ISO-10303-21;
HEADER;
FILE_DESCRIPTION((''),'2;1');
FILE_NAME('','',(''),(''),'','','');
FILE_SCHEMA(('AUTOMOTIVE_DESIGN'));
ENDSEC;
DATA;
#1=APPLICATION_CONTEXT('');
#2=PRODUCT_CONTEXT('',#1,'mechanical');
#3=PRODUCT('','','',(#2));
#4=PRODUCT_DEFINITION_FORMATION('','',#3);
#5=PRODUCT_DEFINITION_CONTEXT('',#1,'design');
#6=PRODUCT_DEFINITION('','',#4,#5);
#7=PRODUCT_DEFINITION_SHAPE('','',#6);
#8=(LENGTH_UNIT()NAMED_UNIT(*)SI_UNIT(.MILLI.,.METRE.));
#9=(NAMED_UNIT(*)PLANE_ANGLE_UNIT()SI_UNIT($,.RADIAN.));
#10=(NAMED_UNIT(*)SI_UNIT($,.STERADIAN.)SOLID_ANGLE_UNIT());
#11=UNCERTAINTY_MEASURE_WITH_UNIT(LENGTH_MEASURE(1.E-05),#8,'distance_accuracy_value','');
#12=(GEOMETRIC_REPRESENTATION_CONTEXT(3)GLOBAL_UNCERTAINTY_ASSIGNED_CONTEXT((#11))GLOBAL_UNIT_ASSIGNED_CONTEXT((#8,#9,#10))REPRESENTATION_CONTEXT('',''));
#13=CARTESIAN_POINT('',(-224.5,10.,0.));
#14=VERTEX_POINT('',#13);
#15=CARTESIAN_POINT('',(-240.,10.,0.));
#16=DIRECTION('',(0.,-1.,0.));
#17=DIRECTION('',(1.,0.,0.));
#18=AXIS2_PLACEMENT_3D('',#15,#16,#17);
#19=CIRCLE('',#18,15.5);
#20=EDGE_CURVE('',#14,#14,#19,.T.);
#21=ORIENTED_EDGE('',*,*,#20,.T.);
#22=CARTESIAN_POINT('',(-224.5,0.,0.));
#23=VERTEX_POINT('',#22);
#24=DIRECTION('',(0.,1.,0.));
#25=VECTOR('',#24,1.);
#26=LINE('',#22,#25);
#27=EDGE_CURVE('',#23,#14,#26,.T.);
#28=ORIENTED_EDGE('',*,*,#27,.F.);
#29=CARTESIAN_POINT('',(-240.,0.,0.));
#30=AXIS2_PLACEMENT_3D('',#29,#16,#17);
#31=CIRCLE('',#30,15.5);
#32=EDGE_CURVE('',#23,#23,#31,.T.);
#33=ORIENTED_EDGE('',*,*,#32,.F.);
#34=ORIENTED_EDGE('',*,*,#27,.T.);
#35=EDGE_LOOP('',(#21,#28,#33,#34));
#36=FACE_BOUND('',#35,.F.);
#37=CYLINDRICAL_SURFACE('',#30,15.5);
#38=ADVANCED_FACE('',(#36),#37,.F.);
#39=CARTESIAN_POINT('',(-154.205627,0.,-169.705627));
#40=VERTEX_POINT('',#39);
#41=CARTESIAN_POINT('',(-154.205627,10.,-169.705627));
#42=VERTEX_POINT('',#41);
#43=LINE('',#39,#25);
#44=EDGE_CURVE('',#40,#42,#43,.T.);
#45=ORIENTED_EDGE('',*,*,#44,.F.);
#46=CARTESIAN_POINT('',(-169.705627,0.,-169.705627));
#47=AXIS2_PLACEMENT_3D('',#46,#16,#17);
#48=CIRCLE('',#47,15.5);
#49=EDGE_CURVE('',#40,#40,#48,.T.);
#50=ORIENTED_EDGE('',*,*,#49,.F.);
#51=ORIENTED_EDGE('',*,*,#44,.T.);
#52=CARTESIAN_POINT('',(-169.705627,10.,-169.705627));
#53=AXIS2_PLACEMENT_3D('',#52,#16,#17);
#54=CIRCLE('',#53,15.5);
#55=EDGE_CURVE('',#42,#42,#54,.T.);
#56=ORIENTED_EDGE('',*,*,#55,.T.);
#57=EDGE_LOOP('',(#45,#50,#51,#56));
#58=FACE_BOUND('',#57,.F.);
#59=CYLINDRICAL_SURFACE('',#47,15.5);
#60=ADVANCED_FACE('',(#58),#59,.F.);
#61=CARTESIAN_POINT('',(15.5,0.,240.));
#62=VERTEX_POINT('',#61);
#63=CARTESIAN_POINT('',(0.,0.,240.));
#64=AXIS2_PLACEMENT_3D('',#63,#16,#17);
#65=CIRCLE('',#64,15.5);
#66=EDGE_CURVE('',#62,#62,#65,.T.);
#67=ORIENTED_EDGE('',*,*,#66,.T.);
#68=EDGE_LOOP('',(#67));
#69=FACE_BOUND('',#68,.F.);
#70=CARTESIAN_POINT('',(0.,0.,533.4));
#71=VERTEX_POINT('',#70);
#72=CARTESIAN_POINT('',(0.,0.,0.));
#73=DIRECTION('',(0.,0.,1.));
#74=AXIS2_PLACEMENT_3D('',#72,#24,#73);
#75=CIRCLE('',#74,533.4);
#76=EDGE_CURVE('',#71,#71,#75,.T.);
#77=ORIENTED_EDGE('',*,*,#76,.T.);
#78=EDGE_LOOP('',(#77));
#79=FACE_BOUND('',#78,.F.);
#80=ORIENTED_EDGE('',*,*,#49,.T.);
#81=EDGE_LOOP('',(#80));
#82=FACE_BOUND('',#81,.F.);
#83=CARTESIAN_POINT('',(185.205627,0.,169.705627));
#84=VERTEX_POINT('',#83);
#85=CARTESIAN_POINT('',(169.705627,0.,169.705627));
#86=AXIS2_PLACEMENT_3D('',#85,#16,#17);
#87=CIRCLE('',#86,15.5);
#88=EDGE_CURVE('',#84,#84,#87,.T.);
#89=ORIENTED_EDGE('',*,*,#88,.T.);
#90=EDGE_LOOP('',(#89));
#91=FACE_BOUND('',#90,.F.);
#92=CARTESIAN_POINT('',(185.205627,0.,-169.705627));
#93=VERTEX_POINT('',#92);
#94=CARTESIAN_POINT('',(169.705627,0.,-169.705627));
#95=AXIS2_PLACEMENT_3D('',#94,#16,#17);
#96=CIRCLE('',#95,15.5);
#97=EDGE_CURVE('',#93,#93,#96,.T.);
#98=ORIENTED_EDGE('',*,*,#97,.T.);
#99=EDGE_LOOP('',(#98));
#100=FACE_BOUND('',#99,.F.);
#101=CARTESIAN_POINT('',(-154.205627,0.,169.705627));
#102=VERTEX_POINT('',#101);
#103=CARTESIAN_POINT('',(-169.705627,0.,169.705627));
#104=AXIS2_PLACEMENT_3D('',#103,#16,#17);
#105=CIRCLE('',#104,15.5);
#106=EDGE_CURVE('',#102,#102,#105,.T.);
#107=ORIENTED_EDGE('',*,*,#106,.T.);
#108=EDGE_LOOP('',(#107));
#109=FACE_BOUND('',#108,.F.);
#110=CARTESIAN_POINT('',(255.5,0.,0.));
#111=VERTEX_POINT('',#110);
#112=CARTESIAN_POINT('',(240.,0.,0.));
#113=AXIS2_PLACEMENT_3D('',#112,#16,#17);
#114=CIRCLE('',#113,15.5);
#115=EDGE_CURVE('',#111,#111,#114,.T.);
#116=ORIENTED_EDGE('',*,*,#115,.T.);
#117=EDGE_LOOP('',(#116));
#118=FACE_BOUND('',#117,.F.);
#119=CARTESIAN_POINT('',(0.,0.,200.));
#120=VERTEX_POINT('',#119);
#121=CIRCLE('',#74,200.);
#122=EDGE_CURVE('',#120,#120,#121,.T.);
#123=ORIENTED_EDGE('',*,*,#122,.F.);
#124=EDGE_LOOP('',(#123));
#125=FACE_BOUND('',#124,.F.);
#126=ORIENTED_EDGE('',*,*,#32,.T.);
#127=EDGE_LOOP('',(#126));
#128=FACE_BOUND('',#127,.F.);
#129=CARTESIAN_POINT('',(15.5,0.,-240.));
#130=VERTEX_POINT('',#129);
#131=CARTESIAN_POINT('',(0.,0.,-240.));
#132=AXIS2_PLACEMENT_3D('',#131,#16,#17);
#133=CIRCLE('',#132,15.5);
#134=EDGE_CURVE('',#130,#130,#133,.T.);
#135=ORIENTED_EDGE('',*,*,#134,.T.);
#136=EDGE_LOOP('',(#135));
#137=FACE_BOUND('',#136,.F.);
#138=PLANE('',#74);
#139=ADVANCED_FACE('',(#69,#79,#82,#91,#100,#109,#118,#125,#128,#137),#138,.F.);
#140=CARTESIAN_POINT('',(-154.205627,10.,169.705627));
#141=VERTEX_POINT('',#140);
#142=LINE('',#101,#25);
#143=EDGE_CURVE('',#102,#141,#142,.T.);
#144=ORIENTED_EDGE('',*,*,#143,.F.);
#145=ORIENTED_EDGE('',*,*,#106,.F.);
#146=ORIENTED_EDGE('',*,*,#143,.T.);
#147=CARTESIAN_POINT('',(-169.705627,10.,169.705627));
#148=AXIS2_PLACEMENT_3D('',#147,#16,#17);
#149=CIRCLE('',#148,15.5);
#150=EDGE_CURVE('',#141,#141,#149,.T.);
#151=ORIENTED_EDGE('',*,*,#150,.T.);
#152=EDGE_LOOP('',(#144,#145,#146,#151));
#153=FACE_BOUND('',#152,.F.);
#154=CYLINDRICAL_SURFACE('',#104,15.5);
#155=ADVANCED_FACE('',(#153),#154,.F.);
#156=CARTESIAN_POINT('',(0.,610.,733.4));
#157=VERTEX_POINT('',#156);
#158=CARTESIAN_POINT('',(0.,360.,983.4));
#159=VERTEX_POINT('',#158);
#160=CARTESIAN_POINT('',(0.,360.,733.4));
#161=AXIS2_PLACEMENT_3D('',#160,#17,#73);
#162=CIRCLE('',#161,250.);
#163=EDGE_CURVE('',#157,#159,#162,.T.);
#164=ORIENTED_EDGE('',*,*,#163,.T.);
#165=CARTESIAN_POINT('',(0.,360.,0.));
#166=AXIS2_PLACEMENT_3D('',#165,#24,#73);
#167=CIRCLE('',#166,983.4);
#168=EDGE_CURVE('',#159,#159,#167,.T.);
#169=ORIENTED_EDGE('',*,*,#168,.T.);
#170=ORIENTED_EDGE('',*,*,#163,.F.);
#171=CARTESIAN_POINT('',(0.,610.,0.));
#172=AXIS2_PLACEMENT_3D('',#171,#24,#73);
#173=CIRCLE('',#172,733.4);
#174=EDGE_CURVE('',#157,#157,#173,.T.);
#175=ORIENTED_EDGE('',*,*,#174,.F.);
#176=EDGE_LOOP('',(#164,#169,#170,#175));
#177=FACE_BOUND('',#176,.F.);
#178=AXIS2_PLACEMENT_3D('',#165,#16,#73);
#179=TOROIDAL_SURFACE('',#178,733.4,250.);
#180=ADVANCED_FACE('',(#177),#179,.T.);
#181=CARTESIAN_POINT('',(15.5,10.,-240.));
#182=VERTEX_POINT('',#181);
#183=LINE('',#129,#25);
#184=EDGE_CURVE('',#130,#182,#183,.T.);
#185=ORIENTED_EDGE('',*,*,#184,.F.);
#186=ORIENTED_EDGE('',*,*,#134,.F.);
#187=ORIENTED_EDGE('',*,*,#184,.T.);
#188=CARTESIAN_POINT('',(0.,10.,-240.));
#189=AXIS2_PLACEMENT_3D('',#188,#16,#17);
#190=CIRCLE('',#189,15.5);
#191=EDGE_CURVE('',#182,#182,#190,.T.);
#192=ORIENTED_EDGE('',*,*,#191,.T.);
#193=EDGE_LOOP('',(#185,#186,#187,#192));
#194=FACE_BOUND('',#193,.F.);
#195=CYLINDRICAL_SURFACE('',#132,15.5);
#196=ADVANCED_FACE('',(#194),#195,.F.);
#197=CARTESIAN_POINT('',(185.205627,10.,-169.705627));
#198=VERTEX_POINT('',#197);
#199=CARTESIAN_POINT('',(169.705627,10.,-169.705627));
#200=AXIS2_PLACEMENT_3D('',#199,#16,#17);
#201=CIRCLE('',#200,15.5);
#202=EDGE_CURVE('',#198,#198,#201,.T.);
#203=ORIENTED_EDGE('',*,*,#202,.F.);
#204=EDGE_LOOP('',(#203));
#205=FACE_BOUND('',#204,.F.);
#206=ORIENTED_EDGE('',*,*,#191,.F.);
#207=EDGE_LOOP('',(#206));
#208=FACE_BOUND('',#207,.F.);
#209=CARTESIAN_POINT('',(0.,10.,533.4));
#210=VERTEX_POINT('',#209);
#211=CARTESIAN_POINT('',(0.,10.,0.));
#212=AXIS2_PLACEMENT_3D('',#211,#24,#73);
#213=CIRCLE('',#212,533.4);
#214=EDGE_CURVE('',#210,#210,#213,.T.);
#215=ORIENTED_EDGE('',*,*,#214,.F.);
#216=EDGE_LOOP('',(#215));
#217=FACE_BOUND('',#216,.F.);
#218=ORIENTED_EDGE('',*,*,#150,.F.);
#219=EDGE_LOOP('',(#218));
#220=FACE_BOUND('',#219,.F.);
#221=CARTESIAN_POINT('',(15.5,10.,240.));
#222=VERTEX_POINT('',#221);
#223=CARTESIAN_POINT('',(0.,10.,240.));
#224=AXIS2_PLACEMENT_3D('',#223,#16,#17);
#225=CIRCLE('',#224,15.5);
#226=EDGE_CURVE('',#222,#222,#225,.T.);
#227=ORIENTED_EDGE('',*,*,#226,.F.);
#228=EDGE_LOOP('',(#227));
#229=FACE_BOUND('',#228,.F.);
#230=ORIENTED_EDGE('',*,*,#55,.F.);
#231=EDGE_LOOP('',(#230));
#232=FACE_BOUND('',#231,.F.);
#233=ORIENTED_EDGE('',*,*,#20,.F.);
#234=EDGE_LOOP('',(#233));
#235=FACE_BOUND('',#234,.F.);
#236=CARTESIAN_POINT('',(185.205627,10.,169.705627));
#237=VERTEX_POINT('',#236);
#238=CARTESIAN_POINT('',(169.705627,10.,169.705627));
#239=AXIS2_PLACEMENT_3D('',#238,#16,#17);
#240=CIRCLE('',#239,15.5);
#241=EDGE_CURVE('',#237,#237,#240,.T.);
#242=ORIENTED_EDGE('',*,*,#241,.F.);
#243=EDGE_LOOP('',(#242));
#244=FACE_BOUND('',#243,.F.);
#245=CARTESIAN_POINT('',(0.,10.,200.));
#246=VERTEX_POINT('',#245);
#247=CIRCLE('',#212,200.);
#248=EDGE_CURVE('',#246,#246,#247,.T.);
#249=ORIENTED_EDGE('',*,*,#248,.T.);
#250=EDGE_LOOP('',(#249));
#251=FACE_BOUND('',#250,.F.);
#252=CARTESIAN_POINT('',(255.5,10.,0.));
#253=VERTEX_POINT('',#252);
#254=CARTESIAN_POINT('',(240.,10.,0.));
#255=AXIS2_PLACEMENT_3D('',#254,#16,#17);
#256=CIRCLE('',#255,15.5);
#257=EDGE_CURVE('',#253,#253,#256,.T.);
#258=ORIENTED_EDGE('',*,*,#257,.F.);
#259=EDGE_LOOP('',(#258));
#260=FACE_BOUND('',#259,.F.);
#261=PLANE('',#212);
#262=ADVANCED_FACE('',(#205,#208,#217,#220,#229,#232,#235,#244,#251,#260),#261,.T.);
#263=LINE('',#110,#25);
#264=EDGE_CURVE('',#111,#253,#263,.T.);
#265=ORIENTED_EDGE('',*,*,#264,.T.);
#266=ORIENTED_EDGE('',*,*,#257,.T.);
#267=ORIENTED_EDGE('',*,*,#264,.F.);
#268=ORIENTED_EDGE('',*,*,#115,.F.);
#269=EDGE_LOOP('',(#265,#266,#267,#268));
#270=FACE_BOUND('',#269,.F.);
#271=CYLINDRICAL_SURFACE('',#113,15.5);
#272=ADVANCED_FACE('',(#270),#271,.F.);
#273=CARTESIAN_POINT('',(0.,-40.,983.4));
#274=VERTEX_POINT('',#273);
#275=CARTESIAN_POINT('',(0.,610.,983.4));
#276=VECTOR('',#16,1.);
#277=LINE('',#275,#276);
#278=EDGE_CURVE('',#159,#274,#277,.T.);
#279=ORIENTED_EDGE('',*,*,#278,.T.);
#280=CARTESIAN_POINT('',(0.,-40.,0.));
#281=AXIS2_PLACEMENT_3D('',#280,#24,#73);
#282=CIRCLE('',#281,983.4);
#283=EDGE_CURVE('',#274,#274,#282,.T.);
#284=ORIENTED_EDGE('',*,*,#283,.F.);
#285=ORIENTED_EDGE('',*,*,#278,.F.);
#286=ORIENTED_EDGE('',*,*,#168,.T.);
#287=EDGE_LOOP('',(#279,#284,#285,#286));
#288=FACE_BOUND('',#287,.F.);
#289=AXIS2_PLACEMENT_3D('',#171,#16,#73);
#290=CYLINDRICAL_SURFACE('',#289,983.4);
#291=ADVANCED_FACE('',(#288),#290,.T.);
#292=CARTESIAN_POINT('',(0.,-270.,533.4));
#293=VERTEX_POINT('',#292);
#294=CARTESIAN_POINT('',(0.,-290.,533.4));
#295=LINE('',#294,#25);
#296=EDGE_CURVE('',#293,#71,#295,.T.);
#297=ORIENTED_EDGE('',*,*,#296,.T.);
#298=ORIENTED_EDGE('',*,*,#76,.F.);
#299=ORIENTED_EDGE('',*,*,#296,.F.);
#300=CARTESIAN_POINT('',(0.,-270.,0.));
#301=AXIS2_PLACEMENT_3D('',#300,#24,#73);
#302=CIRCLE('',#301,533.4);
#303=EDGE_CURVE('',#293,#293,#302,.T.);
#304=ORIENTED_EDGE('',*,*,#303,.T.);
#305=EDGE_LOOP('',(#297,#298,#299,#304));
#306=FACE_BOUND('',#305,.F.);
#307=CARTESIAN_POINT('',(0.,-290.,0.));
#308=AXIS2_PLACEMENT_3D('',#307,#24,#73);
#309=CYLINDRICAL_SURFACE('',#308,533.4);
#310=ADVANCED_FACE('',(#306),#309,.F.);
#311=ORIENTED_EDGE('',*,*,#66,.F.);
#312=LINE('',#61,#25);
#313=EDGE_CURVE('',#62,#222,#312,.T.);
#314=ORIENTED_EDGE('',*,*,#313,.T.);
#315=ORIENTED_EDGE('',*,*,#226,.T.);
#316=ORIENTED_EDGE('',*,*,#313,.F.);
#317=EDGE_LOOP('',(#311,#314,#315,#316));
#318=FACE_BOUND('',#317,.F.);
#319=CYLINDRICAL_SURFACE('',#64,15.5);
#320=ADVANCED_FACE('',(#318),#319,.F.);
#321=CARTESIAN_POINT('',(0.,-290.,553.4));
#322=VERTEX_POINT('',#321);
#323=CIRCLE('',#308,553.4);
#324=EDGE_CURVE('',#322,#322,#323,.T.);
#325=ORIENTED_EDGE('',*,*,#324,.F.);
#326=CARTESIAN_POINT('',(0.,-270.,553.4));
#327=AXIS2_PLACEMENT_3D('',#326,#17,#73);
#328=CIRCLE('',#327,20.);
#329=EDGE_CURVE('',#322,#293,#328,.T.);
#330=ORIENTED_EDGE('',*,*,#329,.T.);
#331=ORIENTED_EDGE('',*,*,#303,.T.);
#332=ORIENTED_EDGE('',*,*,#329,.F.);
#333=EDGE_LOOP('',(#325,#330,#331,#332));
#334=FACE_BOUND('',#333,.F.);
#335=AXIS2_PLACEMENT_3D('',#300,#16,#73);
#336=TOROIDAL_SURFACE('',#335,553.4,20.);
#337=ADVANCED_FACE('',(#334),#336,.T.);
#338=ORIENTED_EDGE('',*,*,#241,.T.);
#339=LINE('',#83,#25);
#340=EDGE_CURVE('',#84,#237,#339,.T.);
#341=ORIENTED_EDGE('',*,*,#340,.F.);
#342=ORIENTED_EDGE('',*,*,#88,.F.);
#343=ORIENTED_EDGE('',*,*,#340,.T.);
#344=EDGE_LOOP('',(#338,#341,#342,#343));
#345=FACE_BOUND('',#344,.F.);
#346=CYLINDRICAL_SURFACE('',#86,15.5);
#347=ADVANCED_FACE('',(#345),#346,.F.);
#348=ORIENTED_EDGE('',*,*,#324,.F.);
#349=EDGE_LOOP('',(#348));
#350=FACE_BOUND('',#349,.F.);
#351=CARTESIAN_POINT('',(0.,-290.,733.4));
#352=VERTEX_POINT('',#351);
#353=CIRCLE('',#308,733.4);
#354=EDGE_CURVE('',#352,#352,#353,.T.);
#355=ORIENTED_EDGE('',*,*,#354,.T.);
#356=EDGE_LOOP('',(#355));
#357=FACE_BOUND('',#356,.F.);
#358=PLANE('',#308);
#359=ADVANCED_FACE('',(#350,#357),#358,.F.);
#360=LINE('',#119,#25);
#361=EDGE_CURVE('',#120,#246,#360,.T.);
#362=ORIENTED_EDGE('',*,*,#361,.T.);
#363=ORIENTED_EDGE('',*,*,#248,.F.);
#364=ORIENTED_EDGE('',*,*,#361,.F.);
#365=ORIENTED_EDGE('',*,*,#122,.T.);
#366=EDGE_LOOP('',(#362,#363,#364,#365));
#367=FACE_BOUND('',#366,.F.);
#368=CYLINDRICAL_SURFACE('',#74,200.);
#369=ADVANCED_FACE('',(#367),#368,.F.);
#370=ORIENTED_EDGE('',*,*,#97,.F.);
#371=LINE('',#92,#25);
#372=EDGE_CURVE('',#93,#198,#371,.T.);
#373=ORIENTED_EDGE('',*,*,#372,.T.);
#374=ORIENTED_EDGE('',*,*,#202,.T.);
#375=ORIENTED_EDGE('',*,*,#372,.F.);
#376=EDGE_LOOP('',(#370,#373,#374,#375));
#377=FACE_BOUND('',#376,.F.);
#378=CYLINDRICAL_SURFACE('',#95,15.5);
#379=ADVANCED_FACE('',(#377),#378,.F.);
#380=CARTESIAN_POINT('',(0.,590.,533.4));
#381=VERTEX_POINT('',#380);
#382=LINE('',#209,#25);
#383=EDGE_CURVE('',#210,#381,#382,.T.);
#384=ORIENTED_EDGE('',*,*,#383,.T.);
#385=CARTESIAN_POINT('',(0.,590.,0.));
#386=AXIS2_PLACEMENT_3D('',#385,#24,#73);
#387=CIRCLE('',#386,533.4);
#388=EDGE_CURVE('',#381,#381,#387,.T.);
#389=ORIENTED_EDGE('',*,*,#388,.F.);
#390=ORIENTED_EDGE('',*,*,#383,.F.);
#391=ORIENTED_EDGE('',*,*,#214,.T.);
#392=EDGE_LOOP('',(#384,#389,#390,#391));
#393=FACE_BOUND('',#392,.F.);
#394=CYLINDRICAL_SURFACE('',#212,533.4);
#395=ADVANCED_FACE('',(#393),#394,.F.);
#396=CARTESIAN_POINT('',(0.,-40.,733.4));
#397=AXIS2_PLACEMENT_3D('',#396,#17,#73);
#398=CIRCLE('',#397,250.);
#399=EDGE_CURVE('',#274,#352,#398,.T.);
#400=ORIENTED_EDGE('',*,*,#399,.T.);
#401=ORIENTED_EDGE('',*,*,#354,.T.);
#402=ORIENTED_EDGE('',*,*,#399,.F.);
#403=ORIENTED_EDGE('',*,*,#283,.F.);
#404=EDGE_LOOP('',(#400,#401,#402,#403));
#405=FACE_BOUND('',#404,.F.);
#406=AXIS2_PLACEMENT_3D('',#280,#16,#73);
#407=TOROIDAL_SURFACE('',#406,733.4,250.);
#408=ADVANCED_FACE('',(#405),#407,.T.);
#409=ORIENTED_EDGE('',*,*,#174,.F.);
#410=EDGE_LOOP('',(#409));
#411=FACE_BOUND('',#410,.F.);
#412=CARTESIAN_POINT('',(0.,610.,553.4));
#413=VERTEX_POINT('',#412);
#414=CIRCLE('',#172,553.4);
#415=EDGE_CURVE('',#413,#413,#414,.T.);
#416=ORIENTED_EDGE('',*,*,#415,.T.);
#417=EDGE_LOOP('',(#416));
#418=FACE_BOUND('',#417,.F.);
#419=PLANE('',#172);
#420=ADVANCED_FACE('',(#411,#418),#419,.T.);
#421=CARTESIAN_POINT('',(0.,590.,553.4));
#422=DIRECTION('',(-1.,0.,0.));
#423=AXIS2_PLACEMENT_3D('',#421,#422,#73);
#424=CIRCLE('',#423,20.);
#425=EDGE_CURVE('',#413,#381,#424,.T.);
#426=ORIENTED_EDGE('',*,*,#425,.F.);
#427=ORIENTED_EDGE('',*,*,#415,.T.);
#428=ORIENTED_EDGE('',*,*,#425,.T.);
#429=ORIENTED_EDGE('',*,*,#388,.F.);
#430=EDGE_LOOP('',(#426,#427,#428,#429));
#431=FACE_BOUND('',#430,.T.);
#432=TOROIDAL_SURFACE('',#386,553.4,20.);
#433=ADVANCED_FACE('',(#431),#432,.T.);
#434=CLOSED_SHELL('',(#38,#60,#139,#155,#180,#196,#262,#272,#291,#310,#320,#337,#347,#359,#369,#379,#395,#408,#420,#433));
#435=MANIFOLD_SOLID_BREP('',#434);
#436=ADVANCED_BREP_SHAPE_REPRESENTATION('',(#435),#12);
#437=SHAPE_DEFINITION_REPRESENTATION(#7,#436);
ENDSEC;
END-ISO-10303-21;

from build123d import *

# Parameters (mm, degrees)
F2_R     = 250
F3_R     = 20
F4_R     = 15.5
F5_DEPTH = 25


with BuildPart() as f1:
    # F0 (on Right) → F1 (revolve)
    with BuildSketch(Plane.YZ):
        Polygon((0, 533.4), (0, 200), (10, 200), (10, 533.4), (610, 533.4), (610, 983.4), (-290, 983.4), (-290, 533.4), align=None)
    revolve(axis=Axis((0, 333.333626, 0), (0, 1, 0)))

    # F2
    f2_edges = [f1.edges().sort_by_distance(p)[0] for p in [
        (0, -290, -983.4),
        (0, 610, -983.4),
    ]]
    fillet(f2_edges, radius=F2_R)

    # F3
    f3_edges = [f1.edges().sort_by_distance(p)[0] for p in [
        (0, -290, -533.4),
        (0, 610, -533.4),
    ]]
    fillet(f3_edges, radius=F3_R)

    # F4 (on face) → F5 (cut)
    with BuildSketch(Plane.XZ):
        with Locations((0, 240)):
            Circle(F4_R)
        with Locations((-169.705627, 169.705627)):
            Circle(F4_R)
        with Locations((-240, 0)):
            Circle(F4_R)
        with Locations((-169.705627, -169.705627)):
            Circle(F4_R)
        with Locations((0, -240)):
            Circle(F4_R)
        with Locations((169.705627, -169.705627)):
            Circle(F4_R)
        with Locations((240, 0)):
            Circle(F4_R)
        with Locations((169.705627, 169.705627)):
            Circle(F4_R)
    extrude(amount=-F5_DEPTH, mode=Mode.SUBTRACT)


solid = f1.part
